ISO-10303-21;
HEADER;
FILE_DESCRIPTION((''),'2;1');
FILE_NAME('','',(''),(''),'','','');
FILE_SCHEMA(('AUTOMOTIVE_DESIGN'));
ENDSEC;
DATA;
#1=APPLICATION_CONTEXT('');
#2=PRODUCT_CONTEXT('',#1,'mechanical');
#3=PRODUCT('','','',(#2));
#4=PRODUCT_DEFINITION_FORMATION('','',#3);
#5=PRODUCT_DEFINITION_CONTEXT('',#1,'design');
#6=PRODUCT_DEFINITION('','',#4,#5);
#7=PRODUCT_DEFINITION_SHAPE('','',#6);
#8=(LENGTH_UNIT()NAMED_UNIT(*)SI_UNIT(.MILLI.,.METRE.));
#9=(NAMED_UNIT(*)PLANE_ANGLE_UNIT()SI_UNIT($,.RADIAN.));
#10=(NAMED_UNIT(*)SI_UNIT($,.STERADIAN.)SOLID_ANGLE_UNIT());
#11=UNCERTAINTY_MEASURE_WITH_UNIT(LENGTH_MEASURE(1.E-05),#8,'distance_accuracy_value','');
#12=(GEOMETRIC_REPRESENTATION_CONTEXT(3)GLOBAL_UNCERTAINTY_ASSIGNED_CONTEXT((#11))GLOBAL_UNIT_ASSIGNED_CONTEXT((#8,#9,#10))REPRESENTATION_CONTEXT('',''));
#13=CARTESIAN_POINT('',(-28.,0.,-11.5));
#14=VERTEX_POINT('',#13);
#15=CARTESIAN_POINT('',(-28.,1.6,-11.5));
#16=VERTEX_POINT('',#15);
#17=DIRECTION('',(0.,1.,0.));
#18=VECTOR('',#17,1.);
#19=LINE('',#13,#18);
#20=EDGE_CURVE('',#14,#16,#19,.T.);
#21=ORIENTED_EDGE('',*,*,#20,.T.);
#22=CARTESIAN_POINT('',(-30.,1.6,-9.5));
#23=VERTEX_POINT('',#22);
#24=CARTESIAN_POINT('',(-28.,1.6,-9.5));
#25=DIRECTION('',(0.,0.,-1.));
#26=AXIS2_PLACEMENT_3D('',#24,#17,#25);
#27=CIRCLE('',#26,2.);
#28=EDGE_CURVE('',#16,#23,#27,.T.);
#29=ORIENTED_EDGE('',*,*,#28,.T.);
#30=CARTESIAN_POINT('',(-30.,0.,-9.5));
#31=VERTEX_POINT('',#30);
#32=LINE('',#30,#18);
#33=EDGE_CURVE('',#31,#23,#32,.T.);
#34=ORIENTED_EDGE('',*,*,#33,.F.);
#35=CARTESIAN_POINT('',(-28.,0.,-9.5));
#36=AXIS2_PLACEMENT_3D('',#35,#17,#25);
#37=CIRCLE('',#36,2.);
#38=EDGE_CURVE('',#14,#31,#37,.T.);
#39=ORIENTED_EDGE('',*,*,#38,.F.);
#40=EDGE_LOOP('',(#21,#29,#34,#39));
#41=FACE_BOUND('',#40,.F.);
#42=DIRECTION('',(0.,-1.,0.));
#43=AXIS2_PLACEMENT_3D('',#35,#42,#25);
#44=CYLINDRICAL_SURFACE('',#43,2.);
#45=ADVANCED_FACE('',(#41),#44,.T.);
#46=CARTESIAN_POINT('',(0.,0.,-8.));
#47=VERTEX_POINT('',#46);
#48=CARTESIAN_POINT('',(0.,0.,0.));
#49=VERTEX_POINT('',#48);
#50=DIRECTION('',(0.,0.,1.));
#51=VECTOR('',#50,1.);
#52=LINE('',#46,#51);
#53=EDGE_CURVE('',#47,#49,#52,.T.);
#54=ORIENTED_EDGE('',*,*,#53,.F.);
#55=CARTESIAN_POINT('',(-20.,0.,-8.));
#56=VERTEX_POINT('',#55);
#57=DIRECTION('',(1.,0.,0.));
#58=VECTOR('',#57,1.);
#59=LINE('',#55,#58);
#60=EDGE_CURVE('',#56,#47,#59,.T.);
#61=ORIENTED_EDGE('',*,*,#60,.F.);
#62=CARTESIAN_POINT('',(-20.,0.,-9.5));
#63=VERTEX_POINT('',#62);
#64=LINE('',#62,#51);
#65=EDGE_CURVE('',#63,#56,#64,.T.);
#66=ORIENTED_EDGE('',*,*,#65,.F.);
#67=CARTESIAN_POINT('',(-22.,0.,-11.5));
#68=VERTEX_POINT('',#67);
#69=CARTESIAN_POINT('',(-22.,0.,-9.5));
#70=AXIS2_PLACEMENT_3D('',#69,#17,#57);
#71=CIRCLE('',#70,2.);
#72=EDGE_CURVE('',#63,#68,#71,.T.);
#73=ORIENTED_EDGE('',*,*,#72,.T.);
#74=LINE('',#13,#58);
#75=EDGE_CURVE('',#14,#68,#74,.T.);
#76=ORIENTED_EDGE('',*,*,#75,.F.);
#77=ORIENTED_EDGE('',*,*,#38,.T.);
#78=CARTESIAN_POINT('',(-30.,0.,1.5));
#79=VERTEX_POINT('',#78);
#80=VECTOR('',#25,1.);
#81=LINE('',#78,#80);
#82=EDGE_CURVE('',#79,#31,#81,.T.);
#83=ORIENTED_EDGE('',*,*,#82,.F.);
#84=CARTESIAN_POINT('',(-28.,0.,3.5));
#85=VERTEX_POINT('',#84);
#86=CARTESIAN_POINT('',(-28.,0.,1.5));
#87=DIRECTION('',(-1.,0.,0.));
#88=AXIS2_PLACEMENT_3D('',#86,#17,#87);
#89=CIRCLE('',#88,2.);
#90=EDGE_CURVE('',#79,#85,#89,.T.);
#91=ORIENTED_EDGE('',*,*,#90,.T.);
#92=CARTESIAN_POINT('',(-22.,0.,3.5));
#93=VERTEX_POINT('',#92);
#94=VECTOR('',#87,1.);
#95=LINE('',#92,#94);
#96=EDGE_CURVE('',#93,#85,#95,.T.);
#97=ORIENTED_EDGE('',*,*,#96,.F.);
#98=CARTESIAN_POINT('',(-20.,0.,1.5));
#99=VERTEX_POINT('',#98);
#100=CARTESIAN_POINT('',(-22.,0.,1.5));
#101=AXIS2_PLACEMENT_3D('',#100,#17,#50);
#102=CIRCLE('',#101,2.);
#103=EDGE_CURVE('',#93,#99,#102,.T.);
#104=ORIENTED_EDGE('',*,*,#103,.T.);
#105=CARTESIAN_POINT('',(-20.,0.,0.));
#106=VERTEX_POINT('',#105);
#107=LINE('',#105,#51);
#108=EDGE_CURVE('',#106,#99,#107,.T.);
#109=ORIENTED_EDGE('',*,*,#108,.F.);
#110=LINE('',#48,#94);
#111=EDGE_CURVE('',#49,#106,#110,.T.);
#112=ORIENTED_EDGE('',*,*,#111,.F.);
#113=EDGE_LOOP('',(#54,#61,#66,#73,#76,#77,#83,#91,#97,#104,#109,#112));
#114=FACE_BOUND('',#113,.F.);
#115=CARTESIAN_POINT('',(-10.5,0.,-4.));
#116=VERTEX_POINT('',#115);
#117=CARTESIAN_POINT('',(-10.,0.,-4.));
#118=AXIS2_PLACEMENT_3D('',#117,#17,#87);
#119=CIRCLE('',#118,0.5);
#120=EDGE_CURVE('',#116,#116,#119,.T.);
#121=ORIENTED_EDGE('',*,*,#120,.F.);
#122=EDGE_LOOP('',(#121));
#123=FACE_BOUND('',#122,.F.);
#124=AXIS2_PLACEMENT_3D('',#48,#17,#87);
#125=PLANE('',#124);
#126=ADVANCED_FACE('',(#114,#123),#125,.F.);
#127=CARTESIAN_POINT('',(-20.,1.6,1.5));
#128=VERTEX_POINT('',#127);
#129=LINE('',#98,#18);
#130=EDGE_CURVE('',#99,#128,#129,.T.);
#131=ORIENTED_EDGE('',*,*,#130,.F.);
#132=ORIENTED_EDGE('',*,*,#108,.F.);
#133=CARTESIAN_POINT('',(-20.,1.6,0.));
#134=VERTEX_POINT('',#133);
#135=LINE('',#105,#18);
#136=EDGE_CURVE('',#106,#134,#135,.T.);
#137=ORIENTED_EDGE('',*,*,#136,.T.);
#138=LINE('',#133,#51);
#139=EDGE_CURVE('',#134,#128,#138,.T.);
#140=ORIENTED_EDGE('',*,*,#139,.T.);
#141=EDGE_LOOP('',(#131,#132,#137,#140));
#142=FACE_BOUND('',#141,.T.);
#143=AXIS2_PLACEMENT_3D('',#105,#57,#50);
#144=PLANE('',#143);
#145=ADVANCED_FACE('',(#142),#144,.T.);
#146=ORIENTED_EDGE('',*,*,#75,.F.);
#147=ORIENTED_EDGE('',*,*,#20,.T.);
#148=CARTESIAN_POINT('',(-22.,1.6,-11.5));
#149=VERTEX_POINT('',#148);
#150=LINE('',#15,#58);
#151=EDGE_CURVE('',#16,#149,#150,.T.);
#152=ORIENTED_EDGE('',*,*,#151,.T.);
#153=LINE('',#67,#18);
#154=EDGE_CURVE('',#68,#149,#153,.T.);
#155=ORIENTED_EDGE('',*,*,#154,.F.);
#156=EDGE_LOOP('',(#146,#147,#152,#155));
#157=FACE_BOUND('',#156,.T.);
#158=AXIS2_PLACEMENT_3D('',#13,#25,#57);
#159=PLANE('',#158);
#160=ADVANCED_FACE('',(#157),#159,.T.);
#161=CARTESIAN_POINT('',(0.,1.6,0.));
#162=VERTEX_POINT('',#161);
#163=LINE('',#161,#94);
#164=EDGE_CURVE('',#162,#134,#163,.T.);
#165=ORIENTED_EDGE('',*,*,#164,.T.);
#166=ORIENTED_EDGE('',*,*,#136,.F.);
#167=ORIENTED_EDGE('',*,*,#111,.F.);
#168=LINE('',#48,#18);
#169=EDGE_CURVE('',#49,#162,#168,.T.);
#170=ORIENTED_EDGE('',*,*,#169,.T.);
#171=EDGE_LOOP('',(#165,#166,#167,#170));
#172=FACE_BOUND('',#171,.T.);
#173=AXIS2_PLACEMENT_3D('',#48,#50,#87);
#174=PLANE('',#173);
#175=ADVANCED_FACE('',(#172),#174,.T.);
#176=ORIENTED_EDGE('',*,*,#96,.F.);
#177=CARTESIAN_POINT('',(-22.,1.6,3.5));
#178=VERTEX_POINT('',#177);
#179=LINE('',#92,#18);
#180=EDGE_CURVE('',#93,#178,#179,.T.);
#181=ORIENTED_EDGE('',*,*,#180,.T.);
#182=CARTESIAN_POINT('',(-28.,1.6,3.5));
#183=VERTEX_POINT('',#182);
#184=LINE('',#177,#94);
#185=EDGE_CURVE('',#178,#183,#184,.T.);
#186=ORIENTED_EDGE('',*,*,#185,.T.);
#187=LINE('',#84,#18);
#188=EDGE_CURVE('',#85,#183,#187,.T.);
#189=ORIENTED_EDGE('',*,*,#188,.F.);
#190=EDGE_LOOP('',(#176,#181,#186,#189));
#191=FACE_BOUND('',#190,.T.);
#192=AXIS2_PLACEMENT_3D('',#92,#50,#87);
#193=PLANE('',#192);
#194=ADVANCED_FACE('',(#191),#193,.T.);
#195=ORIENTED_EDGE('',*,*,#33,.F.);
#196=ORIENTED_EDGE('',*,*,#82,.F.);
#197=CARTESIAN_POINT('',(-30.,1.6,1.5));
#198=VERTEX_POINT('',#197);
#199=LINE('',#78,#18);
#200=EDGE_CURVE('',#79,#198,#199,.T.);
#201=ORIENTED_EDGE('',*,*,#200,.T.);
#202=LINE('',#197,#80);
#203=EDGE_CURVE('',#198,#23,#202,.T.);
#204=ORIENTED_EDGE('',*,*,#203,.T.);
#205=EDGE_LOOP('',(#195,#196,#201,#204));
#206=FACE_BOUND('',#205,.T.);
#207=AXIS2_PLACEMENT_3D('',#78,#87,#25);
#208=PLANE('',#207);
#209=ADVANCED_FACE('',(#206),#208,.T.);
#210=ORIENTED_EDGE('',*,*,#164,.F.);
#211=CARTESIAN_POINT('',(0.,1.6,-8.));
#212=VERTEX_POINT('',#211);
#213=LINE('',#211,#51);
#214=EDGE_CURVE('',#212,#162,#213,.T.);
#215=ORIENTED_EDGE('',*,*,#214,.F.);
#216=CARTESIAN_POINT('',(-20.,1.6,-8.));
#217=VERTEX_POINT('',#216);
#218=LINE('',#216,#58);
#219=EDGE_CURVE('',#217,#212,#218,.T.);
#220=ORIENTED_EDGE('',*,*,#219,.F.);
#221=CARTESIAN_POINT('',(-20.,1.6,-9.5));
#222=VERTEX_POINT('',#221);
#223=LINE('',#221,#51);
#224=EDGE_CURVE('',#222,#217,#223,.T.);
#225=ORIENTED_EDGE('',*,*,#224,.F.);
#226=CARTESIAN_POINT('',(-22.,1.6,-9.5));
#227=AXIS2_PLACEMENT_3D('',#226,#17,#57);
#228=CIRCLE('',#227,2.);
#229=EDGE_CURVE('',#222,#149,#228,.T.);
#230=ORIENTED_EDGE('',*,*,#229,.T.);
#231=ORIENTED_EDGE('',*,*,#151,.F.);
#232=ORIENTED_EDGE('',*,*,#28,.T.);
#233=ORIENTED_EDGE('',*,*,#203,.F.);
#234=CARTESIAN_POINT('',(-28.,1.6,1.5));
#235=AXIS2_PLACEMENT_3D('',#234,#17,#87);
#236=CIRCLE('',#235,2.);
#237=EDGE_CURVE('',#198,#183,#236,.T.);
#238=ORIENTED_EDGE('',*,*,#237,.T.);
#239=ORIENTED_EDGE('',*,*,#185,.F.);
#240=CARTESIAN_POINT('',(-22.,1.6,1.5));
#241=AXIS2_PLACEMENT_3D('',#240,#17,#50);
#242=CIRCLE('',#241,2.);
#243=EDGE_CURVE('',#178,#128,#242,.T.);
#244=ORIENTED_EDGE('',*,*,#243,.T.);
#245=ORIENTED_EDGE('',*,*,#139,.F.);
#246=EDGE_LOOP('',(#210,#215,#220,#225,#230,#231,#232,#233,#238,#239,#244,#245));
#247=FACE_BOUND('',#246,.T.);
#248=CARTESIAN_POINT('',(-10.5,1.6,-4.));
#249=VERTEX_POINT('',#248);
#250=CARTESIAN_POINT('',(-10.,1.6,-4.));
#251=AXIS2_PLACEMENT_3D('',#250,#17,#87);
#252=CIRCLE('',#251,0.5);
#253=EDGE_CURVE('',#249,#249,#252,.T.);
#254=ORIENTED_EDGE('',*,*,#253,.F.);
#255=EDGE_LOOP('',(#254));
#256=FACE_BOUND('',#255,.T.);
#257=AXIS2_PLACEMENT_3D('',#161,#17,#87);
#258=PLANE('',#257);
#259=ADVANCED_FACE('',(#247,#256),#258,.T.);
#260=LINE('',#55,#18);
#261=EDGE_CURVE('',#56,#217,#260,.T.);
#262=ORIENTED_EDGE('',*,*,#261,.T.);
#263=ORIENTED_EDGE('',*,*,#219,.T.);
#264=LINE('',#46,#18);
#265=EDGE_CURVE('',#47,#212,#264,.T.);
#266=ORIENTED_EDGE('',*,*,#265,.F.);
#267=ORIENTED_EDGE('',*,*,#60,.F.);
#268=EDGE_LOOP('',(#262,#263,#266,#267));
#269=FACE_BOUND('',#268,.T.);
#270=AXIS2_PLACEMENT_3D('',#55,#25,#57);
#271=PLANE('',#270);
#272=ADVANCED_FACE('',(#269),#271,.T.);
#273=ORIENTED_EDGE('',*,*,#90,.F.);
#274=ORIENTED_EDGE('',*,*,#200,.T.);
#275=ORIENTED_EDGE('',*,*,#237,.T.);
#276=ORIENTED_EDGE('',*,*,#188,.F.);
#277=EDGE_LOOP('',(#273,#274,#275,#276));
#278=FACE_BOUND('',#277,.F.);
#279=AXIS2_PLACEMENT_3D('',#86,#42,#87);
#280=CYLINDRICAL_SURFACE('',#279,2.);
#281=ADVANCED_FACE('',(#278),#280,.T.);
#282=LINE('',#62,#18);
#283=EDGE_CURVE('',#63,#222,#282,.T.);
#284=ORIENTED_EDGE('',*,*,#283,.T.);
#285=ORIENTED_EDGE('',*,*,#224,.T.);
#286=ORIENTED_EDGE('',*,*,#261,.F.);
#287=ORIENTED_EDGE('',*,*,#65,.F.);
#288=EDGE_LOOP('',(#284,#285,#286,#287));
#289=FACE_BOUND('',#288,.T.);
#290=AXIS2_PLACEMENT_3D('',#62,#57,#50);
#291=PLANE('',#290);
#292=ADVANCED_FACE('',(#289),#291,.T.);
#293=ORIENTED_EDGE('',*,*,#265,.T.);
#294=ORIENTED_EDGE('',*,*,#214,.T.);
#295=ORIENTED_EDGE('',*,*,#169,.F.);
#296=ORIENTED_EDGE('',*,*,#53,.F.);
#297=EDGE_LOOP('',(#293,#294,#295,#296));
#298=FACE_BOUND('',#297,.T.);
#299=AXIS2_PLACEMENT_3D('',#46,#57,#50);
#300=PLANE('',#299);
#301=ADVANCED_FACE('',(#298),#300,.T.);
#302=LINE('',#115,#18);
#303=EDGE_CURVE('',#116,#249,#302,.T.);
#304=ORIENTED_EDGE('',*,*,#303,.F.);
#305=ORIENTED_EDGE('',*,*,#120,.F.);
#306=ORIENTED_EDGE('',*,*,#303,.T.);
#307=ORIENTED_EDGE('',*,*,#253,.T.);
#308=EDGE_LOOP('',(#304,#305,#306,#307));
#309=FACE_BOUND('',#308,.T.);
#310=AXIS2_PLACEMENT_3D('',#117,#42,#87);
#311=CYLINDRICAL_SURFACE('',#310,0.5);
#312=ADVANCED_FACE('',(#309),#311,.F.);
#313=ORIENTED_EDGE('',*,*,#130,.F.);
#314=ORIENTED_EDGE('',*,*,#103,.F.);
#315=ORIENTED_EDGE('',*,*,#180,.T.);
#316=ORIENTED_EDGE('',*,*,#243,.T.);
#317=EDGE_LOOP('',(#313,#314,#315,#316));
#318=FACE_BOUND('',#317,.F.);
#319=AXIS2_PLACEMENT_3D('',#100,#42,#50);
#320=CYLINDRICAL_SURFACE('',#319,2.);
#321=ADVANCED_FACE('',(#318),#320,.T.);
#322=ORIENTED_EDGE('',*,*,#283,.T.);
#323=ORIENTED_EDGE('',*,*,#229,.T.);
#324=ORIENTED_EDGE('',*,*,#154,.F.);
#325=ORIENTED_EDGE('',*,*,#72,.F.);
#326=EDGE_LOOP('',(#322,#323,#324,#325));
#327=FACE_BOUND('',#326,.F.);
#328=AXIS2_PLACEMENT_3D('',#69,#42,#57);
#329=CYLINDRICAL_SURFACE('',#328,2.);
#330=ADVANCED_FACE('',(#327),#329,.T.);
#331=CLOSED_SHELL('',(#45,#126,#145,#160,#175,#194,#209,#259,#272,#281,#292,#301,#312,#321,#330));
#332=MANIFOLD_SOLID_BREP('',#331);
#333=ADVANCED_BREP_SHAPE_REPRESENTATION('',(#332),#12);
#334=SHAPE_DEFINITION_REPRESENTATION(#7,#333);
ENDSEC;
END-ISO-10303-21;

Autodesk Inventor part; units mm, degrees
ref_plane "YZ Plane" through (0, 0, 0) normal (1, 0, 0) x (0, 1, 0)
ref_plane "XZ Plane" through (0, 0, 0) normal (0, 1, 0) x (-1, 0, 0)
ref_plane "XY Plane" through (0, 0, 0) normal (0, 0, 1) x (1, 0, 0)
sketch "Sketch1" plane through (0, 0, 0) normal (0, 1, 0) x (-1, 0, 0)
  line L0 (0, 0) -> (20, 0)
  line L1 (20, -8) -> (0, -8)
  line L2 (0, -8) -> (0, 0)
  line L3 (20, 0) -> (20, 1.5)
  line L4 (22, 3.5) -> (28, 3.5)
  line L5 (30, 1.5) -> (30, -9.5)
  line L6 (28, -11.5) -> (22, -11.5)
  line L7 (20, -9.5) -> (20, -8)
  line L8 (13.2363, -4) -> (6.6675, -4) construction
  arc A0 (30, 1.5) -> (28, 3.5) centre (28, 1.5) ccw
  arc A1 (22, 3.5) -> (20, 1.5) centre (22, 1.5) ccw
  arc A2 (28, -11.5) -> (30, -9.5) centre (28, -9.5) ccw
  arc A3 (20, -9.5) -> (22, -11.5) centre (22, -9.5) ccw
  line L9 (10, -2.0671) -> (10, -6.5599) construction
  circle A4 centre (10, -4) radius 0.5
  point P0 (30, 3.5)
  point P1 (30, -11.5)
  point P2 (20, -11.5)
  dimension "d0" = 20
  dimension "d1" = 8
  dimension "d2" = 15
  dimension "d3" = 10
  dimension "d4" = 2
  dimension "d5" = 1
extrude "Extrusion1" add sketch "Sketch1" along normal blind 1.6
properties part number "PCB_slit_circle_1.5mm"
